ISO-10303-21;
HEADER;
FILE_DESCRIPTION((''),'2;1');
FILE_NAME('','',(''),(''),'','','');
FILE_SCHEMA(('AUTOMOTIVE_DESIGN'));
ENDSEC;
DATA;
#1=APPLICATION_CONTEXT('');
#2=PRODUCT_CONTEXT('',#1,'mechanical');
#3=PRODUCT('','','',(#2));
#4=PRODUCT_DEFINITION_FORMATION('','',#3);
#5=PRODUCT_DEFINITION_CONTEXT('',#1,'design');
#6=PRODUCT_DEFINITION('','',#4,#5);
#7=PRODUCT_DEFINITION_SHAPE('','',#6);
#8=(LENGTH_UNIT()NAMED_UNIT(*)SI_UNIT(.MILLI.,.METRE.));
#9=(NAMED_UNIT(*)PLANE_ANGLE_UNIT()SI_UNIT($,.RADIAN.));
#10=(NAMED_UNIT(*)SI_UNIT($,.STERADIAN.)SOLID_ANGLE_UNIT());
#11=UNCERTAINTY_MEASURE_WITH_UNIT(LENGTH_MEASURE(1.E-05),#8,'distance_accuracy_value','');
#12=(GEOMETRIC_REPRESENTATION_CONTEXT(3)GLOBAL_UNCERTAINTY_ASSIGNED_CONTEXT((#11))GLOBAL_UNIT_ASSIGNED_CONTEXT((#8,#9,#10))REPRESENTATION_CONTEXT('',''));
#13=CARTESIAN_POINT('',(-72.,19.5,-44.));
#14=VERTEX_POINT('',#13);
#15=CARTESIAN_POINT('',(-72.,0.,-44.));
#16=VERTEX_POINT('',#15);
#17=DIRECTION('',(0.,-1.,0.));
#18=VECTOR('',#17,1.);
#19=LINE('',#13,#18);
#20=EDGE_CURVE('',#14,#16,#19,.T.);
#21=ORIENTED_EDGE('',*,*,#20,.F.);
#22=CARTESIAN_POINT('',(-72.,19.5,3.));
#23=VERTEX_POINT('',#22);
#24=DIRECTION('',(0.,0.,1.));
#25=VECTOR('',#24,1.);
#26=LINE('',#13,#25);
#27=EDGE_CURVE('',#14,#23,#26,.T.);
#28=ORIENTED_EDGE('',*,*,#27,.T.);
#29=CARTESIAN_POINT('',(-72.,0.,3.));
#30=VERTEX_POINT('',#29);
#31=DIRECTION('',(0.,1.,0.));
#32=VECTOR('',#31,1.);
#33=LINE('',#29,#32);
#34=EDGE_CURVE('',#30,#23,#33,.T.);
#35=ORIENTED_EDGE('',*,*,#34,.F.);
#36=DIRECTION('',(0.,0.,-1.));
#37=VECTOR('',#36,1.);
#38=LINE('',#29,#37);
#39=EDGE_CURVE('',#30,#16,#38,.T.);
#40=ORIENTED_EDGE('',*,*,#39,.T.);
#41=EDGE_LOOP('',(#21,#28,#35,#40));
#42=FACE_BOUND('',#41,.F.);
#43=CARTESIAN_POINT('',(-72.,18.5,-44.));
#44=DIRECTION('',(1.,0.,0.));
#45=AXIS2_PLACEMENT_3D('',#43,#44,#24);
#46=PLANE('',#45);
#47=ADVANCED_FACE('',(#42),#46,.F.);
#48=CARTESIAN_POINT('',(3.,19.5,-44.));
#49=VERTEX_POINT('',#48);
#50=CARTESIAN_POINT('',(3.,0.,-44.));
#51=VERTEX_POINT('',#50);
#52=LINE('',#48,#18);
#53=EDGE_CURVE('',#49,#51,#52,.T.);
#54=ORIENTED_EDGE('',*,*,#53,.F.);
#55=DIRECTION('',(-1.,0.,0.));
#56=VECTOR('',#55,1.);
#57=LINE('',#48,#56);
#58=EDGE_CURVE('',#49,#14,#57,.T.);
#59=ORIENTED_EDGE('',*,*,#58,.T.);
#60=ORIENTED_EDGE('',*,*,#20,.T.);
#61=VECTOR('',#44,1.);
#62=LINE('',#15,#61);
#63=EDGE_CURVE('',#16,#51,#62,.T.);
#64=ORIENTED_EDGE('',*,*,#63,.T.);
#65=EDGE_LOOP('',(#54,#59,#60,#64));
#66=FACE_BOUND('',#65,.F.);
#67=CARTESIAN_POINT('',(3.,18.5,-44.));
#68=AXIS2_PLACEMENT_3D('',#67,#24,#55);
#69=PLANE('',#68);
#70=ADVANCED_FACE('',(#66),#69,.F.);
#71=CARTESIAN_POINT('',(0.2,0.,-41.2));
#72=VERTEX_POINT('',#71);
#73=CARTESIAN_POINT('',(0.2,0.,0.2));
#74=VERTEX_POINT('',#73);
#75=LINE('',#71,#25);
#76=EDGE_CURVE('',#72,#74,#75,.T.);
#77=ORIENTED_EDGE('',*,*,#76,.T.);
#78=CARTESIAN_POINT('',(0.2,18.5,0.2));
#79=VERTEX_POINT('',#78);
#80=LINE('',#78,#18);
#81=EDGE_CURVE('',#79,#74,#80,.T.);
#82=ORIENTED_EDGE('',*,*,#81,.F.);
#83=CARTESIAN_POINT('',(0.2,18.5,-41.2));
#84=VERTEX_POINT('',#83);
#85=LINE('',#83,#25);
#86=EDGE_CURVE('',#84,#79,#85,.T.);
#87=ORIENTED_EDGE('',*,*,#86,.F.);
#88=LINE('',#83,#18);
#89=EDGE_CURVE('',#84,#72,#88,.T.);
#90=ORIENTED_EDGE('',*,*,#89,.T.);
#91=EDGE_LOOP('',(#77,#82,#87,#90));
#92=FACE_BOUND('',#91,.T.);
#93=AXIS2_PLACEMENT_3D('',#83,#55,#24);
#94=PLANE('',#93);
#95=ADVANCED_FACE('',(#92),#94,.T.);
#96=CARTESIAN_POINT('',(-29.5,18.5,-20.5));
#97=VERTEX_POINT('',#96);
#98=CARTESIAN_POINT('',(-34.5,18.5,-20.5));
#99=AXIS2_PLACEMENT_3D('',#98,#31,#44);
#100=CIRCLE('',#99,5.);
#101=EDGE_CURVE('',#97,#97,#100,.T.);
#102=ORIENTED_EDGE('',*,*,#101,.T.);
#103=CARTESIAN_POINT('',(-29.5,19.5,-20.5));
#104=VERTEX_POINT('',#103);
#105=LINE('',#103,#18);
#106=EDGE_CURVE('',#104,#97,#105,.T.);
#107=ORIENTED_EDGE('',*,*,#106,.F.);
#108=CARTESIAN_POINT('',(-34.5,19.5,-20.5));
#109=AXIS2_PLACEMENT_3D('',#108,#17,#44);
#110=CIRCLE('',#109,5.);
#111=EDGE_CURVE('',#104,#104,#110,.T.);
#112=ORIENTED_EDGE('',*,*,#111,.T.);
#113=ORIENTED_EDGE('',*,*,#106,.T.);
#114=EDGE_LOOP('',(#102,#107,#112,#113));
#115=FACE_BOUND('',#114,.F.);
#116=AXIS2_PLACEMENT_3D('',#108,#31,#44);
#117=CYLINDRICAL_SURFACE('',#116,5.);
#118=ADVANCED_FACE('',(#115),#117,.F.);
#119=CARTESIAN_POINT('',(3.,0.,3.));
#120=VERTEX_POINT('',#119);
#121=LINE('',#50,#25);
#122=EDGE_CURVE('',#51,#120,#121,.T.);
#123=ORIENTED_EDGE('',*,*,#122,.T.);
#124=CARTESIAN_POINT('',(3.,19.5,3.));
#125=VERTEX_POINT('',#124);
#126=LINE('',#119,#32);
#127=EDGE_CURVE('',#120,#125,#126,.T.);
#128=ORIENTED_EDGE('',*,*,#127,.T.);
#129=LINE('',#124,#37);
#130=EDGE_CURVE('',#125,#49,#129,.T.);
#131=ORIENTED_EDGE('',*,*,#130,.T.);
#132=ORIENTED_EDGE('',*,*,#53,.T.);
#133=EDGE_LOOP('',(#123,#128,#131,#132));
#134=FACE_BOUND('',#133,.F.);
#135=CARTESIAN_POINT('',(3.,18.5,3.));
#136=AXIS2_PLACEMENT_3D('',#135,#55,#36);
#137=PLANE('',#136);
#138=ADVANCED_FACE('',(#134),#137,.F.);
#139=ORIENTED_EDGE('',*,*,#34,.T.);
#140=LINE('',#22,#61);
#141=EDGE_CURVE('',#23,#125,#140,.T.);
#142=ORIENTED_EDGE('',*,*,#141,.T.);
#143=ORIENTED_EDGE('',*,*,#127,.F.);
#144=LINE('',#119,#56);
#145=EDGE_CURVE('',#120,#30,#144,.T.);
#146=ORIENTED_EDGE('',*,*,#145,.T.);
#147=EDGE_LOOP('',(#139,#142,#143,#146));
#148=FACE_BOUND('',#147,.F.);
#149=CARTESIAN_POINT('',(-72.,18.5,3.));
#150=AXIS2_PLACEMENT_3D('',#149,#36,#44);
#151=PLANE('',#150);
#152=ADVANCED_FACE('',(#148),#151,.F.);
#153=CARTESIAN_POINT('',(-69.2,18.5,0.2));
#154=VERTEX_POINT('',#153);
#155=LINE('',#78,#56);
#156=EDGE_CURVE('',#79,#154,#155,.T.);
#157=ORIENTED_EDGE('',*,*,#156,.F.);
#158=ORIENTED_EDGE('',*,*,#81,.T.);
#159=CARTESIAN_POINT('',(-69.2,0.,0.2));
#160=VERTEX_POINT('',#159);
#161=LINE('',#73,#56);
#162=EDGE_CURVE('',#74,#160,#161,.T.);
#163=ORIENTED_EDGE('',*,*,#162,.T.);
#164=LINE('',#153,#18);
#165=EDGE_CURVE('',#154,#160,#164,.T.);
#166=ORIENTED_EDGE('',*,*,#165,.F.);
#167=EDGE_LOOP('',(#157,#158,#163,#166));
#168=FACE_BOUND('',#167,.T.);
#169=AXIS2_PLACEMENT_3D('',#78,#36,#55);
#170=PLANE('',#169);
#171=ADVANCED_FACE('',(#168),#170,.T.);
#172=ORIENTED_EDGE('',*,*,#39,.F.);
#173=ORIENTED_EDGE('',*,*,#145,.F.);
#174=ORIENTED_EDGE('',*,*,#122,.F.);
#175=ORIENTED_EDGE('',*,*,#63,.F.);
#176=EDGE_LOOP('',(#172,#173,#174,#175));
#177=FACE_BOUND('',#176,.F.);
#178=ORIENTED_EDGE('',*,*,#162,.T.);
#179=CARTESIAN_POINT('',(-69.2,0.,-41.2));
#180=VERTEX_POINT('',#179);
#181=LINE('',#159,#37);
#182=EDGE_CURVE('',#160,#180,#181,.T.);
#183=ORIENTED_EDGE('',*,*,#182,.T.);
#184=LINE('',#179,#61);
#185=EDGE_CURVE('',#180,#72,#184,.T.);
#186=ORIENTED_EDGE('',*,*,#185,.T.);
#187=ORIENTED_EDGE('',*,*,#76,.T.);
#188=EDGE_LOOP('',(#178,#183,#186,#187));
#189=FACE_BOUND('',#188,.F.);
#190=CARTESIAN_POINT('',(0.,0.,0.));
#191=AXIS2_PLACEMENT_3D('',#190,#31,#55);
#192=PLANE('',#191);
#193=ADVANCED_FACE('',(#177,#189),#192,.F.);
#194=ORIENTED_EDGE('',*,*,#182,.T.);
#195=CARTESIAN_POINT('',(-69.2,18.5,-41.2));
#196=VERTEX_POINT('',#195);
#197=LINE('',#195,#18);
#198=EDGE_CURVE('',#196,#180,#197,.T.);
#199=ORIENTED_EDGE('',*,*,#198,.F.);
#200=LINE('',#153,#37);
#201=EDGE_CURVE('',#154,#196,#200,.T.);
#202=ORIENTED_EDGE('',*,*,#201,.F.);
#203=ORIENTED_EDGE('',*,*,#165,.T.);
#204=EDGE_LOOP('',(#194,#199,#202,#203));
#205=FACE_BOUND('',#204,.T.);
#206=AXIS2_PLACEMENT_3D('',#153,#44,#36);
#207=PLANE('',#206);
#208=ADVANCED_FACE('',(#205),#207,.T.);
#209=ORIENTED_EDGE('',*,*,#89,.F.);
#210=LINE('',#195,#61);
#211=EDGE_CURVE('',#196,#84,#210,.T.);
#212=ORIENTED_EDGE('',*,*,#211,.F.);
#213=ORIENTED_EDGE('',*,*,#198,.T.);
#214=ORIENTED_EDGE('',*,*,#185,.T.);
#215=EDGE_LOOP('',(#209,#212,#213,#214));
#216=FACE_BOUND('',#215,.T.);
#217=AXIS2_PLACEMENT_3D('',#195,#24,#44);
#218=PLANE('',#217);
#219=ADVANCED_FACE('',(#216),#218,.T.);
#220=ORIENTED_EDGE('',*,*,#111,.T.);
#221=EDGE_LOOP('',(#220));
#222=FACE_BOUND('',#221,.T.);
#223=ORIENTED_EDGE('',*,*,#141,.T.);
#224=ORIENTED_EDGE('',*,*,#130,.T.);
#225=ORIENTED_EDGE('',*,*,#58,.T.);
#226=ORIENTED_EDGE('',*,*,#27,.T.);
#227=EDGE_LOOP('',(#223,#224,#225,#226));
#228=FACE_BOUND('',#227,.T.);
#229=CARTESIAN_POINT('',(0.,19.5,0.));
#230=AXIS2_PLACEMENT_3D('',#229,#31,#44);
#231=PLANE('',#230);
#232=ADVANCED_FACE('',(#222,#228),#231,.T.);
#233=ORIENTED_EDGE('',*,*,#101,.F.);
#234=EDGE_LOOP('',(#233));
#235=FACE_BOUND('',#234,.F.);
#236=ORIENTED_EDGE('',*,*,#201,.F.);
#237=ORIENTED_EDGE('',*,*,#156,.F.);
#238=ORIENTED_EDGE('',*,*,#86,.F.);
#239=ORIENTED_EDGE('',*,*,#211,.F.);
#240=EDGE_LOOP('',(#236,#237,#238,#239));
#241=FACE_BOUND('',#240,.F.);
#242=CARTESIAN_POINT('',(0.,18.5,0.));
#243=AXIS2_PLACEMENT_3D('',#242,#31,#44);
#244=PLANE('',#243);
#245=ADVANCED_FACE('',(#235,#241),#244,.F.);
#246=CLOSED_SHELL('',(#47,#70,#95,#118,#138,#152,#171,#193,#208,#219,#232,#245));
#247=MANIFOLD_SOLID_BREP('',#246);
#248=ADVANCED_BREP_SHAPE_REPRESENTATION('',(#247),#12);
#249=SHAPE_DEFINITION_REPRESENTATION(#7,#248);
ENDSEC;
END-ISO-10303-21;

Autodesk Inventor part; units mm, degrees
ref_plane "YZ Plane" through (0, 0, 0) normal (1, 0, 0) x (0, 1, 0)
ref_plane "XZ Plane" through (0, 0, 0) normal (0, 1, 0) x (-1, 0, 0)
ref_plane "XY Plane" through (0, 0, 0) normal (0, 0, 1) x (1, 0, 0)
sketch "Sketch1" plane through (0, 0, 0) normal (0, 1, 0) x (-1, 0, 0)
  line L0 (0, 0) -> (69, 0)
  line L1 (69, 0) -> (69, -41)
  line L2 (69, -41) -> (0, -41)
  line L3 (0, -41) -> (0, 0)
  line L4 (-3, 3) -> (72, 3)
  line L5 (72, 3) -> (72, -44)
  line L6 (72, -44) -> (-3, -44)
  line L7 (-3, -44) -> (-3, 3)
  dimension "d0" = 69
  dimension "d1" = 41
  dimension "d2" = 3
extrude "Extrusion1" add sketch "Sketch1" along normal blind 18.5
sketch "Sketch2" plane through (0, 18.5, 0) normal (0, 1, 0) x (1, 0, 0)
  line L0 (0, 0) -> (-69, 0) projected
  line L1 (-69, 41) -> (0, 41) projected
  line L2 (-69, 0) -> (0, 0)
  line L3 (0, 0) -> (0, 41)
  line L4 (0, 41) -> (-69, 41)
  line L5 (-69, 41) -> (-69, 0)
  line L6 (0.2, 41.2) -> (0.2, -0.2)
  line L7 (0.2, -0.2) -> (-69.2, -0.2)
  line L8 (-69.2, -0.2) -> (-69.2, 41.2)
  line L9 (-69.2, 41.2) -> (0.2, 41.2)
  dimension "d5" = 0.2
extrude "Extrusion2" cut sketch "Sketch2" against normal blind 18.5
sketch "Sketch3" plane through (0, 18.5, 0) normal (0, 1, 0) x (1, 0, 0)
  line L0 (-72, -3) -> (3, -3) projected
  line L1 (3, -3) -> (3, 44) projected
  line L2 (-72, -3) -> (3, -3)
  line L3 (3, -3) -> (3, 44)
  line L4 (3, 44) -> (-72, 44)
  line L5 (-72, 44) -> (-72, -3)
  point P0 (0, 0)
extrude "Extrusion3" add sketch "Sketch3" along normal blind 1
sketch "Sketch4" plane through (0, 19.5, 0) normal (0, 1, 0) x (1, 0, 0)
  line L0 (3, -3) -> (3, 44) projected
  line L1 (3, 44) -> (-72, 44) projected
  line L2 (3, -3) -> (-72, 44)
  circle A0 centre (-34.5, 20.5) radius 5
  point P0 (0, 0)
  dimension "d10" = 10
extrude "Extrusion4" cut sketch "Sketch4" against normal blind 1 contours A0 L2 | L2 A0
properties part number "top batt cage"
